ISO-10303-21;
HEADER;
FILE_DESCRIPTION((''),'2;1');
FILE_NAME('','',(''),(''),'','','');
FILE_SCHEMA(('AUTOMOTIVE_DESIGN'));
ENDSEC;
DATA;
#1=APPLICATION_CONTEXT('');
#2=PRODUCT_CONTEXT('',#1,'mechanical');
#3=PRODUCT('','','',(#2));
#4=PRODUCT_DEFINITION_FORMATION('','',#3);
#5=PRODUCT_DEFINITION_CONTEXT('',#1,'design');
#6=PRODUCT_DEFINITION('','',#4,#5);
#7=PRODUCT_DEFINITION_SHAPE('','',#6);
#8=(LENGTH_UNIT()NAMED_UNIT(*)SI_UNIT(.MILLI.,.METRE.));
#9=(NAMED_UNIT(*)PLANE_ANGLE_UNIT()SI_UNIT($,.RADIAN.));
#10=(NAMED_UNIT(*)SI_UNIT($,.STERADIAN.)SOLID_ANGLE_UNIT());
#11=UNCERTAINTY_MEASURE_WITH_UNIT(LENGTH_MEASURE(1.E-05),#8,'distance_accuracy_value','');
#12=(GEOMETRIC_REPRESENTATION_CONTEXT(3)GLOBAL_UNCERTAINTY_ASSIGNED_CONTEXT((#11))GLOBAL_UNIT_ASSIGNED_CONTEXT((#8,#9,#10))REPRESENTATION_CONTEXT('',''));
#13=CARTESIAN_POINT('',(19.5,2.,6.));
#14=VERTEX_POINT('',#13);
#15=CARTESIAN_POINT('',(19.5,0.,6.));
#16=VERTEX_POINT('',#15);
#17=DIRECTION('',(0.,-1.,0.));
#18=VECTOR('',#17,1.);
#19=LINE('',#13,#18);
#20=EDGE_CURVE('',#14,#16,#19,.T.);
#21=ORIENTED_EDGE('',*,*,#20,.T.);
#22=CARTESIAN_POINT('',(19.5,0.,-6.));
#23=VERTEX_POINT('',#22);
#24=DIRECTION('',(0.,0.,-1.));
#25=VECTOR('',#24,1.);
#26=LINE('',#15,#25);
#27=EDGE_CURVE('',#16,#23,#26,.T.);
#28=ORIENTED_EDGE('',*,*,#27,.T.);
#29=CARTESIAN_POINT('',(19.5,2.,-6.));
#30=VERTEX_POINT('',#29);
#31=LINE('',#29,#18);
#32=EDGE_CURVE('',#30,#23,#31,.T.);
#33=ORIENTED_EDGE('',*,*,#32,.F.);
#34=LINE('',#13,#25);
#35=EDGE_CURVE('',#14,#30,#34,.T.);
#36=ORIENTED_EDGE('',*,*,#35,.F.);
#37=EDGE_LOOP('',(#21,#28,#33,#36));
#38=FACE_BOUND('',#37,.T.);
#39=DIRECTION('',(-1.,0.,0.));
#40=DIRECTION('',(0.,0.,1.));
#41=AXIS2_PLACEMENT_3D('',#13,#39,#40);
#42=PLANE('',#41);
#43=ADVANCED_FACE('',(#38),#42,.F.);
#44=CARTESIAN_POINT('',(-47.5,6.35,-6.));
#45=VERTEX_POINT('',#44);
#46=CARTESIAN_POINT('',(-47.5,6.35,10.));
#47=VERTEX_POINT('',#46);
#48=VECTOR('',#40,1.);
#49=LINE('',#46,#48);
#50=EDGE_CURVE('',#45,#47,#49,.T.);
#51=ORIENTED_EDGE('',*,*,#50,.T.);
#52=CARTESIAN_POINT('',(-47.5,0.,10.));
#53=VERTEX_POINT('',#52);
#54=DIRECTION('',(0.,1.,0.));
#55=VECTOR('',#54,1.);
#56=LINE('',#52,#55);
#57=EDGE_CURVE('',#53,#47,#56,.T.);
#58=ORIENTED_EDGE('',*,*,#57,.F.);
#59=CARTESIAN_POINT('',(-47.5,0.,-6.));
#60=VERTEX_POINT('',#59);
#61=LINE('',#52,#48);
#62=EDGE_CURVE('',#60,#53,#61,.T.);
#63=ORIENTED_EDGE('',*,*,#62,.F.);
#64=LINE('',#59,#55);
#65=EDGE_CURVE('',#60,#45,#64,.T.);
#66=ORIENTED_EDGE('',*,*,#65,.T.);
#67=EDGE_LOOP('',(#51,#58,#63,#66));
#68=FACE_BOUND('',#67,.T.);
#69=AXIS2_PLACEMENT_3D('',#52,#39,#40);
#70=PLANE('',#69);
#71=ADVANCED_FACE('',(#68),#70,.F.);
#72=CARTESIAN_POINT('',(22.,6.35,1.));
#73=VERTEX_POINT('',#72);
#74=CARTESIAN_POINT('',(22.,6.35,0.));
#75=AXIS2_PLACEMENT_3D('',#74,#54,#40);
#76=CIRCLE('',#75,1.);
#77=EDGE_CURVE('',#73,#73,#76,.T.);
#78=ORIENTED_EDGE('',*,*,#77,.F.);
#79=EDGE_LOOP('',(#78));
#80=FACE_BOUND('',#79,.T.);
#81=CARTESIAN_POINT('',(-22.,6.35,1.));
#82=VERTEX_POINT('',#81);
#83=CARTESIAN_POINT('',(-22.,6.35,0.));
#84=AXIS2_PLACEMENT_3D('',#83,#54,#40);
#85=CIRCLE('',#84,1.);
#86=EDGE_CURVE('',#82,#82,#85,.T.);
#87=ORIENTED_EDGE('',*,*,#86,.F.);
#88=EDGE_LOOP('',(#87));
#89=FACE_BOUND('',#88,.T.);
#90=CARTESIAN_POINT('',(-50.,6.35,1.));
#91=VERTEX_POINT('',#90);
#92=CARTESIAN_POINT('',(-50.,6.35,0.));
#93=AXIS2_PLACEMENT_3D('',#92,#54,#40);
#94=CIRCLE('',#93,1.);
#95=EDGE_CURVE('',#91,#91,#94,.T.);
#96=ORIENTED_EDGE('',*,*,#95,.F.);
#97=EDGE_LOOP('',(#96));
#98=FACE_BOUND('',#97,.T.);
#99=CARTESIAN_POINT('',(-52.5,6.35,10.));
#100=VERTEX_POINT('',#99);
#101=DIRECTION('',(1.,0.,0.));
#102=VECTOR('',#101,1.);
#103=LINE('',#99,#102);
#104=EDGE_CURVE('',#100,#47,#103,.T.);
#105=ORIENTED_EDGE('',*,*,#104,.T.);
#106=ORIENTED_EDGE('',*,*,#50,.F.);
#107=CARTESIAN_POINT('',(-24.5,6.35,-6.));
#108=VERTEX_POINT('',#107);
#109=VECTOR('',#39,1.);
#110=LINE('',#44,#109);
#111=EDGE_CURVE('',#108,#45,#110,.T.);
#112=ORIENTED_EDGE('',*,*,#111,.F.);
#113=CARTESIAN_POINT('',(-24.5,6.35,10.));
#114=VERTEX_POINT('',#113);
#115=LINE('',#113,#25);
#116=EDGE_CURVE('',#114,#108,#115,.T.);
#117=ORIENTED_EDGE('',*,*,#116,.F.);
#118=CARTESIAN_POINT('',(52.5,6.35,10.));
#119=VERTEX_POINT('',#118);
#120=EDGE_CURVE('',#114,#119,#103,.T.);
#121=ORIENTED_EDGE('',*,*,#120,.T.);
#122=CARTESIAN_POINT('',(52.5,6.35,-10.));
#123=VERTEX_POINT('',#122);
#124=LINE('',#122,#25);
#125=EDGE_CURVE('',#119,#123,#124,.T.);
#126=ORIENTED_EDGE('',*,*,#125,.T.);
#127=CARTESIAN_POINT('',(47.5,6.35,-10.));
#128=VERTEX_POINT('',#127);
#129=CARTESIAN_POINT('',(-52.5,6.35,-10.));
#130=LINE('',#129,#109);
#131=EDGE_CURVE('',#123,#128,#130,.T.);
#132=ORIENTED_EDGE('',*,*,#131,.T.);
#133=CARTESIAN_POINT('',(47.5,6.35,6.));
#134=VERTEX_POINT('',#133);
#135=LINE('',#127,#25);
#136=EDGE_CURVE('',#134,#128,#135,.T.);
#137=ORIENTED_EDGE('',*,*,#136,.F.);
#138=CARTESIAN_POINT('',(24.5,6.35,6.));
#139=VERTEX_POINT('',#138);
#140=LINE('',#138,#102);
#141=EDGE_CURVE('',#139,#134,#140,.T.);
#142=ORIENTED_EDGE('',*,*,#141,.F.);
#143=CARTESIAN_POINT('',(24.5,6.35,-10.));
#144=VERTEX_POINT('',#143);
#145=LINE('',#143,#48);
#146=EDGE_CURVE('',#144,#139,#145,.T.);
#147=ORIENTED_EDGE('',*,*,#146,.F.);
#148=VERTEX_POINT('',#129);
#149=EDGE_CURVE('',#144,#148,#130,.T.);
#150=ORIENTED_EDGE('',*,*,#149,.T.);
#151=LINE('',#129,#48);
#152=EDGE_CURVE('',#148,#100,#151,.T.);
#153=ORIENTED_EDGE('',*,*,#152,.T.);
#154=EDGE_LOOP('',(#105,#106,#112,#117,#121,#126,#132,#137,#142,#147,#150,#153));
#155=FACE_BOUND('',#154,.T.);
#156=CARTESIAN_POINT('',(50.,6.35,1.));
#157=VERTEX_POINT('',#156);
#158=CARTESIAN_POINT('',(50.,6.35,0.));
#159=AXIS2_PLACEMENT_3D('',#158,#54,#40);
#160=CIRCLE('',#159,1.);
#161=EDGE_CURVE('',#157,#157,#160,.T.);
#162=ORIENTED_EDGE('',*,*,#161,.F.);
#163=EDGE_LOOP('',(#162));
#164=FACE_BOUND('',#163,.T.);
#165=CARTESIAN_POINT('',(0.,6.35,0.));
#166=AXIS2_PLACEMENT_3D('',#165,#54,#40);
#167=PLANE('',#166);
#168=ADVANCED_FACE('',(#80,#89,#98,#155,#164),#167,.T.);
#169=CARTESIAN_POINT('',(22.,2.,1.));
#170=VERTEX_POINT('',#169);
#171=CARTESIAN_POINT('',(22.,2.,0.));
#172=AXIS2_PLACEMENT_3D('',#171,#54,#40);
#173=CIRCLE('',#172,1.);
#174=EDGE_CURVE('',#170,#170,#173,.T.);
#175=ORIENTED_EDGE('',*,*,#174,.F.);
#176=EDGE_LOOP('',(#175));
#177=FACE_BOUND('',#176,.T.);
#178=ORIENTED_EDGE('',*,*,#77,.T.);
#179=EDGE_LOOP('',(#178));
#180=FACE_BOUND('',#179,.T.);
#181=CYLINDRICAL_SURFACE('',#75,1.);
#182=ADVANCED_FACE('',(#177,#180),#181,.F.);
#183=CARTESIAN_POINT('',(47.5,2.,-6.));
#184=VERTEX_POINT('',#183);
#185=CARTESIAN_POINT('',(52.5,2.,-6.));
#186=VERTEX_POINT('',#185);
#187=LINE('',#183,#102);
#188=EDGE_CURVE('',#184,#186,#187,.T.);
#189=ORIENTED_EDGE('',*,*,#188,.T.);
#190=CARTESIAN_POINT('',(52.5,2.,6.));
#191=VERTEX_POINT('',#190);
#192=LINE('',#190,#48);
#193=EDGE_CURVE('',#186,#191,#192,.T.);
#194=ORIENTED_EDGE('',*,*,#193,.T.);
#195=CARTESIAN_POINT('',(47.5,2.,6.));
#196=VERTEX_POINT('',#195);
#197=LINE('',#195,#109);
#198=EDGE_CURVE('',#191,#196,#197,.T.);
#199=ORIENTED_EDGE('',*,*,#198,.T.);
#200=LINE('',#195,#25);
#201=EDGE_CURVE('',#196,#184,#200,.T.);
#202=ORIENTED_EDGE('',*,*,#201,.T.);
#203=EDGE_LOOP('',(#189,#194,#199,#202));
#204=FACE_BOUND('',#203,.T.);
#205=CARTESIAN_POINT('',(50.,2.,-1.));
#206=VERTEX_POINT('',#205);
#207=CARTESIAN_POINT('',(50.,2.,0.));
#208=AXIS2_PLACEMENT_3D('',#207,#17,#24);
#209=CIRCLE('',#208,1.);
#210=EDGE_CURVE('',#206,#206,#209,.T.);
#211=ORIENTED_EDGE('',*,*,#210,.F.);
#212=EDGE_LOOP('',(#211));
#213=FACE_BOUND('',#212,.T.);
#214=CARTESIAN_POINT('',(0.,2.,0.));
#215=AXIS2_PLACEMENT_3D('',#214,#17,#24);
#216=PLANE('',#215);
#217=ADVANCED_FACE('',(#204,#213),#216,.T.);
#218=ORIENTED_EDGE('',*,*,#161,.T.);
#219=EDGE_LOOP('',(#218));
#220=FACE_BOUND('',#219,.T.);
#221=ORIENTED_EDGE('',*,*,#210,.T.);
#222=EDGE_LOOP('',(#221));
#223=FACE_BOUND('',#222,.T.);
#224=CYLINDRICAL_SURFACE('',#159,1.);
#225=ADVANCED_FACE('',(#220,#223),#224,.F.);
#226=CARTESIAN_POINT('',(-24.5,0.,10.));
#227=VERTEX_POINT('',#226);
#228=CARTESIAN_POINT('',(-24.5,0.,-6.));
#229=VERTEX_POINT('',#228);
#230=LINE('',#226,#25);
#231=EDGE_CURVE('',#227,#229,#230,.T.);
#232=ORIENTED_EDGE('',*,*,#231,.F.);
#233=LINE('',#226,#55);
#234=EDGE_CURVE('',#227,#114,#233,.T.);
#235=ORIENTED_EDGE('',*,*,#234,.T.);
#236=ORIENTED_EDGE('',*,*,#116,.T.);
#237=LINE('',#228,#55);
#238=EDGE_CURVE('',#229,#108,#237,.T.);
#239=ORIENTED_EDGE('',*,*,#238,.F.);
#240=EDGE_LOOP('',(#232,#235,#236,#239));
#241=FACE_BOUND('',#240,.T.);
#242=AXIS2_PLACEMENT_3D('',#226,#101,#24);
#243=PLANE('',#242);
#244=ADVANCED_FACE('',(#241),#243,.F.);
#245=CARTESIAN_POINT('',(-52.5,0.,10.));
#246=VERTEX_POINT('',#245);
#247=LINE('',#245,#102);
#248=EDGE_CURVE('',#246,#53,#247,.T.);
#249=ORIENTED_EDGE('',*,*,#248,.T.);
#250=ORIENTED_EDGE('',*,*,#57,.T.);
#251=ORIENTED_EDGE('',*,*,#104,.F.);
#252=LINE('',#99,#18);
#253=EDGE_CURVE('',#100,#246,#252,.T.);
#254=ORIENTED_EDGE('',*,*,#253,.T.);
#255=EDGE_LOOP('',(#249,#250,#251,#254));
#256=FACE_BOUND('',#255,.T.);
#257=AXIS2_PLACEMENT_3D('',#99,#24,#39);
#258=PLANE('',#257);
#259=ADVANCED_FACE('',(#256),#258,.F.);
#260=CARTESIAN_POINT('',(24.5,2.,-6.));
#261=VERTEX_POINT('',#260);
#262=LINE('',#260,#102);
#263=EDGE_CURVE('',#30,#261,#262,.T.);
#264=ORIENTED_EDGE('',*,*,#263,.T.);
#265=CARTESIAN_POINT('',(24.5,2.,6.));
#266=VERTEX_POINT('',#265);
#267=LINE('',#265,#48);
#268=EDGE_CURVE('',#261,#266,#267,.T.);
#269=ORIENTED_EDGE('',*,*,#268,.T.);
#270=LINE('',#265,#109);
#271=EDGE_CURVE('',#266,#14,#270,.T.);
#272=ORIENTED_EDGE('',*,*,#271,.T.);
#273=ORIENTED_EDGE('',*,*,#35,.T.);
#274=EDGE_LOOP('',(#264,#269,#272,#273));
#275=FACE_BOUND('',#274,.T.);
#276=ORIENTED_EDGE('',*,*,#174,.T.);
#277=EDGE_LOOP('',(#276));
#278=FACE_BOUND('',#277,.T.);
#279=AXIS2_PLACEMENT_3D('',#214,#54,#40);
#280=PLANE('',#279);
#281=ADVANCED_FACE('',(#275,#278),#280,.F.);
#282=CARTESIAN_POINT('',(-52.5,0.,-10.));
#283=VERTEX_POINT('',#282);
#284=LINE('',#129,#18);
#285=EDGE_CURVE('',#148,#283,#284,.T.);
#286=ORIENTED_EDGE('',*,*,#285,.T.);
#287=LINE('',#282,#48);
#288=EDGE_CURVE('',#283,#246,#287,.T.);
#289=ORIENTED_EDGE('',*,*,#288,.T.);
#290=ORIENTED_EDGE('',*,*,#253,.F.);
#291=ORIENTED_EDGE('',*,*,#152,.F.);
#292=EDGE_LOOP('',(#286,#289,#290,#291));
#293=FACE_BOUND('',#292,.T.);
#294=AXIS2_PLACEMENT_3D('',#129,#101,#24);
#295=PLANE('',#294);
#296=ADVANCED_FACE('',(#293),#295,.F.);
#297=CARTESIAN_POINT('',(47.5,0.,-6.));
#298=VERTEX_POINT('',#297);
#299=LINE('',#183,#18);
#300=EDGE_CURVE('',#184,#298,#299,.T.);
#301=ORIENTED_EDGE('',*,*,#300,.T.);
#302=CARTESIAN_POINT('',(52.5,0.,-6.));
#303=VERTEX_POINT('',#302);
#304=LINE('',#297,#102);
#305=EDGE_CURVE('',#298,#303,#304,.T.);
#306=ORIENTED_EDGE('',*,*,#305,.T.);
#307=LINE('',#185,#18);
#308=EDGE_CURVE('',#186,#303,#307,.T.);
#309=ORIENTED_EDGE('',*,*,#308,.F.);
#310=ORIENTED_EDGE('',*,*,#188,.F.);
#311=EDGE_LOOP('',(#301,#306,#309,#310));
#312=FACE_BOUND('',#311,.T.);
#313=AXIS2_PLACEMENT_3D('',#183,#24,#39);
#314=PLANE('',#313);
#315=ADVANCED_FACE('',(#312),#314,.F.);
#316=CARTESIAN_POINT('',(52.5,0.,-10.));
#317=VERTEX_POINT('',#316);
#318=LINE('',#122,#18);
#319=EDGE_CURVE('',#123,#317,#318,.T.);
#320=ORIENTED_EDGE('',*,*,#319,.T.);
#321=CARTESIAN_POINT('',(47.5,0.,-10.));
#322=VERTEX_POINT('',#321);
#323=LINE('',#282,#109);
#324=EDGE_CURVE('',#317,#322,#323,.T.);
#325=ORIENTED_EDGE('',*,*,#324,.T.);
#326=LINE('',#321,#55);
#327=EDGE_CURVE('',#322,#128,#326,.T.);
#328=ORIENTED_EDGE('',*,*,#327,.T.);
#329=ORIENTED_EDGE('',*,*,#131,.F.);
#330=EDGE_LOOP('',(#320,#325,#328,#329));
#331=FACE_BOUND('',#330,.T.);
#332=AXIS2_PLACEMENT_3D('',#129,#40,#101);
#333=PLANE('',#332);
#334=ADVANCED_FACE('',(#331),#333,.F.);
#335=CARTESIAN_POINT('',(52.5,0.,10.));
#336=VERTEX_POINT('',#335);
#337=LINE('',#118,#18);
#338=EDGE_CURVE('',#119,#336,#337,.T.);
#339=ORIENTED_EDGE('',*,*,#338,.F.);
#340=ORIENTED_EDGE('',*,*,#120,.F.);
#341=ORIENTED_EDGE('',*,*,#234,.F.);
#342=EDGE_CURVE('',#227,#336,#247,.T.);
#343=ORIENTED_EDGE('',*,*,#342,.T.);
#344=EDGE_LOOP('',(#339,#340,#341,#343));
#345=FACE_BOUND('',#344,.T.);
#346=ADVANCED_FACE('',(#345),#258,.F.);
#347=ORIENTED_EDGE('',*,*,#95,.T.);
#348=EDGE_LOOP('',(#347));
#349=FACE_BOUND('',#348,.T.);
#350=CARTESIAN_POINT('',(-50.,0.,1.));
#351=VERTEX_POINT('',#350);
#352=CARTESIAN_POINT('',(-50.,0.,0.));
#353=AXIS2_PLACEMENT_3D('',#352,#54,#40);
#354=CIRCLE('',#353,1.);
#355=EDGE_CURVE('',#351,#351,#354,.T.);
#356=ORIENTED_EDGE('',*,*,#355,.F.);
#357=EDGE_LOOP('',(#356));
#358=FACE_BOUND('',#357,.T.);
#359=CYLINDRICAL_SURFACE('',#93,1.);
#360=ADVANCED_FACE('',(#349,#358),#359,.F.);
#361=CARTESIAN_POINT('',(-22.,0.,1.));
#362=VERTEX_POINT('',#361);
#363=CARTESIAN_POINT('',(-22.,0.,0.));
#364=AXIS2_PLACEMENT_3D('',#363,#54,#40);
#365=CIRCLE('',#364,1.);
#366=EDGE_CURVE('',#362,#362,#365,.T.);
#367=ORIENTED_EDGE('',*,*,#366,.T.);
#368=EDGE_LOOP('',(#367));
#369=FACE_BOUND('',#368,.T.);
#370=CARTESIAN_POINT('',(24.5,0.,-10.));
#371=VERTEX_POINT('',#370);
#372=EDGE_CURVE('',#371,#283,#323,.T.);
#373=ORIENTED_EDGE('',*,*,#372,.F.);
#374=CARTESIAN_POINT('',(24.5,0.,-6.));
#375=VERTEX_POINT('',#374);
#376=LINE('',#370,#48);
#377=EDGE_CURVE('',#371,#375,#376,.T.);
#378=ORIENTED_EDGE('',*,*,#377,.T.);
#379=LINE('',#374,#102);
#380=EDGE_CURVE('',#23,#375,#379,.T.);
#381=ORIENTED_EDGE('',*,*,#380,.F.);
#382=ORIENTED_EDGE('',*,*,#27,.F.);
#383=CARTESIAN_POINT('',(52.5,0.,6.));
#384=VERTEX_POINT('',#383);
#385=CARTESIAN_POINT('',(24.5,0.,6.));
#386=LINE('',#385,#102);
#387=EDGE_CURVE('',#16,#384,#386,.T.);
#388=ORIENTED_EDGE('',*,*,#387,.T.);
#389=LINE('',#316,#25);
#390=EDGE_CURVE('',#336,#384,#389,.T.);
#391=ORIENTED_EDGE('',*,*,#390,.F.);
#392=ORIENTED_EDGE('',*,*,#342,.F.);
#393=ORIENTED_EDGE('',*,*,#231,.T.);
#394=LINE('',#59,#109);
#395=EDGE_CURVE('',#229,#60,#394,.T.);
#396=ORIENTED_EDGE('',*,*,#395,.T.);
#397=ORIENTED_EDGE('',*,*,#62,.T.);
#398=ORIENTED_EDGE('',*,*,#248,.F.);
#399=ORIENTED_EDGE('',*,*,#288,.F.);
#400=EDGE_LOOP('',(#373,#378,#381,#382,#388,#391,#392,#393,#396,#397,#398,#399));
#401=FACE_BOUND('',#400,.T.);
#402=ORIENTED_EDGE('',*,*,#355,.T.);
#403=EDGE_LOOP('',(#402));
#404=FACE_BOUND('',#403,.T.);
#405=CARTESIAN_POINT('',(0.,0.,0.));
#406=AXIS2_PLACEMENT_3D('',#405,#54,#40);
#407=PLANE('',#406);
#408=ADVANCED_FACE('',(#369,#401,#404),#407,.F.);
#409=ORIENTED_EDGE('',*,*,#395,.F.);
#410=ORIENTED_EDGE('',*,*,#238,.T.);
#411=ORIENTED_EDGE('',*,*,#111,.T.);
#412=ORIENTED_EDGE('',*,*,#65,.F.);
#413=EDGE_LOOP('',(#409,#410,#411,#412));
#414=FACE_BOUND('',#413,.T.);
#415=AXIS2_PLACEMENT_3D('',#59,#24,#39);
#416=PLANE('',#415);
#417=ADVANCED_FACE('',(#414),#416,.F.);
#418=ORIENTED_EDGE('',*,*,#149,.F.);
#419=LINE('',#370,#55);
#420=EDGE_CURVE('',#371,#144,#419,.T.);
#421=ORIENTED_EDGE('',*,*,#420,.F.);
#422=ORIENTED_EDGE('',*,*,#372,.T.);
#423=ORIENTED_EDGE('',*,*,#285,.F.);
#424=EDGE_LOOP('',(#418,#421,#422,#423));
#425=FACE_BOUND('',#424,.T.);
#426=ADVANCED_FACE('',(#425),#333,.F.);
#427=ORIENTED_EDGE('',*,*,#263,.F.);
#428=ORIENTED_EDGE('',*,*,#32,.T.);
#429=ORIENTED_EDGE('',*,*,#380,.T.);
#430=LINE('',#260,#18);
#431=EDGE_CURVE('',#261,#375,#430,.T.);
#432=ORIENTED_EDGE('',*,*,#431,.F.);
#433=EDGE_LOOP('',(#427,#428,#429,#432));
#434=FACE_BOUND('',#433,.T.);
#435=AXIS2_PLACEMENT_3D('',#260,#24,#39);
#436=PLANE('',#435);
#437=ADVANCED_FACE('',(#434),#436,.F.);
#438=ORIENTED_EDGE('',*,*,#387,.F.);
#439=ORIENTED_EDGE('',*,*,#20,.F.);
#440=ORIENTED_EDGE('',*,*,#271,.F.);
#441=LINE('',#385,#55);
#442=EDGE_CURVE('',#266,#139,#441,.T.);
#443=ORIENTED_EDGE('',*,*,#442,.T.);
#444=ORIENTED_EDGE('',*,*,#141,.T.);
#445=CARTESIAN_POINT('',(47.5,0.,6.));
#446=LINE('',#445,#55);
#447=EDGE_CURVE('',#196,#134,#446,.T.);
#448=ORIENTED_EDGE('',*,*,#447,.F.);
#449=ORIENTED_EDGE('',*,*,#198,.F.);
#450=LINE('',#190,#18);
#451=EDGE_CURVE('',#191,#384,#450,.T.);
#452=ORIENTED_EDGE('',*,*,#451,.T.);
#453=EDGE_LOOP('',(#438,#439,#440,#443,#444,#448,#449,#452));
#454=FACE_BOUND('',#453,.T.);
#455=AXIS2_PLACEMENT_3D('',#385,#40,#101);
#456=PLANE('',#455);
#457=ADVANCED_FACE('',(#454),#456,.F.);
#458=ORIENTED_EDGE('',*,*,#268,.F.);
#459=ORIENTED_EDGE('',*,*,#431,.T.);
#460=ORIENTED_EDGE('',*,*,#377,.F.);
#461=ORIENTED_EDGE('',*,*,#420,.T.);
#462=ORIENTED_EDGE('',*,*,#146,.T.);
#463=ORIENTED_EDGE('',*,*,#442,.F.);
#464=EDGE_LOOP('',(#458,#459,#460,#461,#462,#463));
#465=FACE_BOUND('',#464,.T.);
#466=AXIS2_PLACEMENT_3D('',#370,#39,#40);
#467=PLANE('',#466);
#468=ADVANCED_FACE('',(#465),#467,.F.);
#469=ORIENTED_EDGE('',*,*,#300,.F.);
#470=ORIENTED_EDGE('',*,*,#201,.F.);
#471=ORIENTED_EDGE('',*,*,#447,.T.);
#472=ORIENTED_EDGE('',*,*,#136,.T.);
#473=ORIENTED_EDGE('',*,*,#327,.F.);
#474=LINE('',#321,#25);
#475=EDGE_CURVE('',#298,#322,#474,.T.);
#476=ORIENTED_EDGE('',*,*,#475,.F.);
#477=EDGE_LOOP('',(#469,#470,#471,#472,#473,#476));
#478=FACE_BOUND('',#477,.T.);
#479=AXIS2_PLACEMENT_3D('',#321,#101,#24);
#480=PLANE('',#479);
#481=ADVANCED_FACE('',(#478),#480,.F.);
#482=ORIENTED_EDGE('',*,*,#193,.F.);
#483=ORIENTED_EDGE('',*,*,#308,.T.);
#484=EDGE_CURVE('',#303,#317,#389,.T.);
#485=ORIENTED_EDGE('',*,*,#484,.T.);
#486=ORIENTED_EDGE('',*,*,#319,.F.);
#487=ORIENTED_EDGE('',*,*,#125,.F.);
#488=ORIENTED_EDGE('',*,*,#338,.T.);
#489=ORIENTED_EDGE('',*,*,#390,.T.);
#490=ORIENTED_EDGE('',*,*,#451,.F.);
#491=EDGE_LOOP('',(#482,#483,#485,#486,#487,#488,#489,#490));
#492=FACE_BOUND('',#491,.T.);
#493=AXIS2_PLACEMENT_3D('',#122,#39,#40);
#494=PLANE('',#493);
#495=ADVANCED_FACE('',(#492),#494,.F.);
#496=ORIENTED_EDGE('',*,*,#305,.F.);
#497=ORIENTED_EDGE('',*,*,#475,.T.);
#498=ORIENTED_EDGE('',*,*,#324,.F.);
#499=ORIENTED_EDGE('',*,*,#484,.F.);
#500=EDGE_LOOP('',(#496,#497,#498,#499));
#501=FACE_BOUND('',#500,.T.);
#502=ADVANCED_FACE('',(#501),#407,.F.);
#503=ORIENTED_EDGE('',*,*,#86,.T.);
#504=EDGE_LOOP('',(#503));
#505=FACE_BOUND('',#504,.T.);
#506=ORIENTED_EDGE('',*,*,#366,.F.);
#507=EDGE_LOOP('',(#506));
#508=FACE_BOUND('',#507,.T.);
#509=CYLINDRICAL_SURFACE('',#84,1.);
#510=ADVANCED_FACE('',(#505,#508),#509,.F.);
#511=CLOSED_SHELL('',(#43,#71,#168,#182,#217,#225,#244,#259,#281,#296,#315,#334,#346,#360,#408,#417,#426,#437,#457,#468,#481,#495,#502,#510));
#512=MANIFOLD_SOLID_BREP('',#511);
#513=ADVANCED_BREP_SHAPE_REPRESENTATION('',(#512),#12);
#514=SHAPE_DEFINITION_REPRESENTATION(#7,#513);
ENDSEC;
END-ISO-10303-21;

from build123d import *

# Parameters (mm, degrees)
SKETCH1_W            = 105
SKETCH1_H            = 20
BOSS_EXTRUDE1_DEPTH  = 6.35
SKETCH3_W            = 23
SKETCH3_H            = 16
CUT_EXTRUDE1_DEPTH   = 54.819815124
SKETCH4_W            = 5
SKETCH4_H            = 12
CUT_EXTRUDE2_DEPTH   = 2
M2_CLEARANCE_HOLE1_D = 2


with BuildPart() as part:
    # Sketch1 → Boss-Extrude1 (new body)
    with BuildSketch(Plane(origin=(0, 0, 0), x_dir=(1, 0, 0), z_dir=(0, 1, 0))):
        Rectangle(SKETCH1_W, SKETCH1_H)
    extrude(amount=BOSS_EXTRUDE1_DEPTH)

    # Sketch3 → Cut-Extrude1 (cut, through all)
    with BuildSketch(Plane(origin=(0, 6.35, 0), x_dir=(1, 0, 0), z_dir=(0, 1, 0))):
        with Locations((-36, -2)):
            Rectangle(SKETCH3_W, SKETCH3_H)
        with Locations((36, 2)):
            Rectangle(SKETCH3_W, SKETCH3_H)
    extrude(amount=-CUT_EXTRUDE1_DEPTH, mode=Mode.SUBTRACT)

    # Sketch4 → Cut-Extrude2 (cut)
    with BuildSketch(Plane.XZ):
        with Locations((22, 0)):
            Rectangle(SKETCH4_W, SKETCH4_H)
        with Locations((50, 0)):
            Rectangle(SKETCH4_W, SKETCH4_H)
    extrude(amount=-CUT_EXTRUDE2_DEPTH, mode=Mode.SUBTRACT)

    # M2 Clearance Hole1 (through all)
    with Locations(Plane(origin=(0, 6.35, 0), x_dir=(1, 0, 0), z_dir=(0, 1, 0))):
        with Locations((50, 0), (-50, 0), (-22, 0), (22, 0)):
            Hole(M2_CLEARANCE_HOLE1_D / 2)


solid = part.part
